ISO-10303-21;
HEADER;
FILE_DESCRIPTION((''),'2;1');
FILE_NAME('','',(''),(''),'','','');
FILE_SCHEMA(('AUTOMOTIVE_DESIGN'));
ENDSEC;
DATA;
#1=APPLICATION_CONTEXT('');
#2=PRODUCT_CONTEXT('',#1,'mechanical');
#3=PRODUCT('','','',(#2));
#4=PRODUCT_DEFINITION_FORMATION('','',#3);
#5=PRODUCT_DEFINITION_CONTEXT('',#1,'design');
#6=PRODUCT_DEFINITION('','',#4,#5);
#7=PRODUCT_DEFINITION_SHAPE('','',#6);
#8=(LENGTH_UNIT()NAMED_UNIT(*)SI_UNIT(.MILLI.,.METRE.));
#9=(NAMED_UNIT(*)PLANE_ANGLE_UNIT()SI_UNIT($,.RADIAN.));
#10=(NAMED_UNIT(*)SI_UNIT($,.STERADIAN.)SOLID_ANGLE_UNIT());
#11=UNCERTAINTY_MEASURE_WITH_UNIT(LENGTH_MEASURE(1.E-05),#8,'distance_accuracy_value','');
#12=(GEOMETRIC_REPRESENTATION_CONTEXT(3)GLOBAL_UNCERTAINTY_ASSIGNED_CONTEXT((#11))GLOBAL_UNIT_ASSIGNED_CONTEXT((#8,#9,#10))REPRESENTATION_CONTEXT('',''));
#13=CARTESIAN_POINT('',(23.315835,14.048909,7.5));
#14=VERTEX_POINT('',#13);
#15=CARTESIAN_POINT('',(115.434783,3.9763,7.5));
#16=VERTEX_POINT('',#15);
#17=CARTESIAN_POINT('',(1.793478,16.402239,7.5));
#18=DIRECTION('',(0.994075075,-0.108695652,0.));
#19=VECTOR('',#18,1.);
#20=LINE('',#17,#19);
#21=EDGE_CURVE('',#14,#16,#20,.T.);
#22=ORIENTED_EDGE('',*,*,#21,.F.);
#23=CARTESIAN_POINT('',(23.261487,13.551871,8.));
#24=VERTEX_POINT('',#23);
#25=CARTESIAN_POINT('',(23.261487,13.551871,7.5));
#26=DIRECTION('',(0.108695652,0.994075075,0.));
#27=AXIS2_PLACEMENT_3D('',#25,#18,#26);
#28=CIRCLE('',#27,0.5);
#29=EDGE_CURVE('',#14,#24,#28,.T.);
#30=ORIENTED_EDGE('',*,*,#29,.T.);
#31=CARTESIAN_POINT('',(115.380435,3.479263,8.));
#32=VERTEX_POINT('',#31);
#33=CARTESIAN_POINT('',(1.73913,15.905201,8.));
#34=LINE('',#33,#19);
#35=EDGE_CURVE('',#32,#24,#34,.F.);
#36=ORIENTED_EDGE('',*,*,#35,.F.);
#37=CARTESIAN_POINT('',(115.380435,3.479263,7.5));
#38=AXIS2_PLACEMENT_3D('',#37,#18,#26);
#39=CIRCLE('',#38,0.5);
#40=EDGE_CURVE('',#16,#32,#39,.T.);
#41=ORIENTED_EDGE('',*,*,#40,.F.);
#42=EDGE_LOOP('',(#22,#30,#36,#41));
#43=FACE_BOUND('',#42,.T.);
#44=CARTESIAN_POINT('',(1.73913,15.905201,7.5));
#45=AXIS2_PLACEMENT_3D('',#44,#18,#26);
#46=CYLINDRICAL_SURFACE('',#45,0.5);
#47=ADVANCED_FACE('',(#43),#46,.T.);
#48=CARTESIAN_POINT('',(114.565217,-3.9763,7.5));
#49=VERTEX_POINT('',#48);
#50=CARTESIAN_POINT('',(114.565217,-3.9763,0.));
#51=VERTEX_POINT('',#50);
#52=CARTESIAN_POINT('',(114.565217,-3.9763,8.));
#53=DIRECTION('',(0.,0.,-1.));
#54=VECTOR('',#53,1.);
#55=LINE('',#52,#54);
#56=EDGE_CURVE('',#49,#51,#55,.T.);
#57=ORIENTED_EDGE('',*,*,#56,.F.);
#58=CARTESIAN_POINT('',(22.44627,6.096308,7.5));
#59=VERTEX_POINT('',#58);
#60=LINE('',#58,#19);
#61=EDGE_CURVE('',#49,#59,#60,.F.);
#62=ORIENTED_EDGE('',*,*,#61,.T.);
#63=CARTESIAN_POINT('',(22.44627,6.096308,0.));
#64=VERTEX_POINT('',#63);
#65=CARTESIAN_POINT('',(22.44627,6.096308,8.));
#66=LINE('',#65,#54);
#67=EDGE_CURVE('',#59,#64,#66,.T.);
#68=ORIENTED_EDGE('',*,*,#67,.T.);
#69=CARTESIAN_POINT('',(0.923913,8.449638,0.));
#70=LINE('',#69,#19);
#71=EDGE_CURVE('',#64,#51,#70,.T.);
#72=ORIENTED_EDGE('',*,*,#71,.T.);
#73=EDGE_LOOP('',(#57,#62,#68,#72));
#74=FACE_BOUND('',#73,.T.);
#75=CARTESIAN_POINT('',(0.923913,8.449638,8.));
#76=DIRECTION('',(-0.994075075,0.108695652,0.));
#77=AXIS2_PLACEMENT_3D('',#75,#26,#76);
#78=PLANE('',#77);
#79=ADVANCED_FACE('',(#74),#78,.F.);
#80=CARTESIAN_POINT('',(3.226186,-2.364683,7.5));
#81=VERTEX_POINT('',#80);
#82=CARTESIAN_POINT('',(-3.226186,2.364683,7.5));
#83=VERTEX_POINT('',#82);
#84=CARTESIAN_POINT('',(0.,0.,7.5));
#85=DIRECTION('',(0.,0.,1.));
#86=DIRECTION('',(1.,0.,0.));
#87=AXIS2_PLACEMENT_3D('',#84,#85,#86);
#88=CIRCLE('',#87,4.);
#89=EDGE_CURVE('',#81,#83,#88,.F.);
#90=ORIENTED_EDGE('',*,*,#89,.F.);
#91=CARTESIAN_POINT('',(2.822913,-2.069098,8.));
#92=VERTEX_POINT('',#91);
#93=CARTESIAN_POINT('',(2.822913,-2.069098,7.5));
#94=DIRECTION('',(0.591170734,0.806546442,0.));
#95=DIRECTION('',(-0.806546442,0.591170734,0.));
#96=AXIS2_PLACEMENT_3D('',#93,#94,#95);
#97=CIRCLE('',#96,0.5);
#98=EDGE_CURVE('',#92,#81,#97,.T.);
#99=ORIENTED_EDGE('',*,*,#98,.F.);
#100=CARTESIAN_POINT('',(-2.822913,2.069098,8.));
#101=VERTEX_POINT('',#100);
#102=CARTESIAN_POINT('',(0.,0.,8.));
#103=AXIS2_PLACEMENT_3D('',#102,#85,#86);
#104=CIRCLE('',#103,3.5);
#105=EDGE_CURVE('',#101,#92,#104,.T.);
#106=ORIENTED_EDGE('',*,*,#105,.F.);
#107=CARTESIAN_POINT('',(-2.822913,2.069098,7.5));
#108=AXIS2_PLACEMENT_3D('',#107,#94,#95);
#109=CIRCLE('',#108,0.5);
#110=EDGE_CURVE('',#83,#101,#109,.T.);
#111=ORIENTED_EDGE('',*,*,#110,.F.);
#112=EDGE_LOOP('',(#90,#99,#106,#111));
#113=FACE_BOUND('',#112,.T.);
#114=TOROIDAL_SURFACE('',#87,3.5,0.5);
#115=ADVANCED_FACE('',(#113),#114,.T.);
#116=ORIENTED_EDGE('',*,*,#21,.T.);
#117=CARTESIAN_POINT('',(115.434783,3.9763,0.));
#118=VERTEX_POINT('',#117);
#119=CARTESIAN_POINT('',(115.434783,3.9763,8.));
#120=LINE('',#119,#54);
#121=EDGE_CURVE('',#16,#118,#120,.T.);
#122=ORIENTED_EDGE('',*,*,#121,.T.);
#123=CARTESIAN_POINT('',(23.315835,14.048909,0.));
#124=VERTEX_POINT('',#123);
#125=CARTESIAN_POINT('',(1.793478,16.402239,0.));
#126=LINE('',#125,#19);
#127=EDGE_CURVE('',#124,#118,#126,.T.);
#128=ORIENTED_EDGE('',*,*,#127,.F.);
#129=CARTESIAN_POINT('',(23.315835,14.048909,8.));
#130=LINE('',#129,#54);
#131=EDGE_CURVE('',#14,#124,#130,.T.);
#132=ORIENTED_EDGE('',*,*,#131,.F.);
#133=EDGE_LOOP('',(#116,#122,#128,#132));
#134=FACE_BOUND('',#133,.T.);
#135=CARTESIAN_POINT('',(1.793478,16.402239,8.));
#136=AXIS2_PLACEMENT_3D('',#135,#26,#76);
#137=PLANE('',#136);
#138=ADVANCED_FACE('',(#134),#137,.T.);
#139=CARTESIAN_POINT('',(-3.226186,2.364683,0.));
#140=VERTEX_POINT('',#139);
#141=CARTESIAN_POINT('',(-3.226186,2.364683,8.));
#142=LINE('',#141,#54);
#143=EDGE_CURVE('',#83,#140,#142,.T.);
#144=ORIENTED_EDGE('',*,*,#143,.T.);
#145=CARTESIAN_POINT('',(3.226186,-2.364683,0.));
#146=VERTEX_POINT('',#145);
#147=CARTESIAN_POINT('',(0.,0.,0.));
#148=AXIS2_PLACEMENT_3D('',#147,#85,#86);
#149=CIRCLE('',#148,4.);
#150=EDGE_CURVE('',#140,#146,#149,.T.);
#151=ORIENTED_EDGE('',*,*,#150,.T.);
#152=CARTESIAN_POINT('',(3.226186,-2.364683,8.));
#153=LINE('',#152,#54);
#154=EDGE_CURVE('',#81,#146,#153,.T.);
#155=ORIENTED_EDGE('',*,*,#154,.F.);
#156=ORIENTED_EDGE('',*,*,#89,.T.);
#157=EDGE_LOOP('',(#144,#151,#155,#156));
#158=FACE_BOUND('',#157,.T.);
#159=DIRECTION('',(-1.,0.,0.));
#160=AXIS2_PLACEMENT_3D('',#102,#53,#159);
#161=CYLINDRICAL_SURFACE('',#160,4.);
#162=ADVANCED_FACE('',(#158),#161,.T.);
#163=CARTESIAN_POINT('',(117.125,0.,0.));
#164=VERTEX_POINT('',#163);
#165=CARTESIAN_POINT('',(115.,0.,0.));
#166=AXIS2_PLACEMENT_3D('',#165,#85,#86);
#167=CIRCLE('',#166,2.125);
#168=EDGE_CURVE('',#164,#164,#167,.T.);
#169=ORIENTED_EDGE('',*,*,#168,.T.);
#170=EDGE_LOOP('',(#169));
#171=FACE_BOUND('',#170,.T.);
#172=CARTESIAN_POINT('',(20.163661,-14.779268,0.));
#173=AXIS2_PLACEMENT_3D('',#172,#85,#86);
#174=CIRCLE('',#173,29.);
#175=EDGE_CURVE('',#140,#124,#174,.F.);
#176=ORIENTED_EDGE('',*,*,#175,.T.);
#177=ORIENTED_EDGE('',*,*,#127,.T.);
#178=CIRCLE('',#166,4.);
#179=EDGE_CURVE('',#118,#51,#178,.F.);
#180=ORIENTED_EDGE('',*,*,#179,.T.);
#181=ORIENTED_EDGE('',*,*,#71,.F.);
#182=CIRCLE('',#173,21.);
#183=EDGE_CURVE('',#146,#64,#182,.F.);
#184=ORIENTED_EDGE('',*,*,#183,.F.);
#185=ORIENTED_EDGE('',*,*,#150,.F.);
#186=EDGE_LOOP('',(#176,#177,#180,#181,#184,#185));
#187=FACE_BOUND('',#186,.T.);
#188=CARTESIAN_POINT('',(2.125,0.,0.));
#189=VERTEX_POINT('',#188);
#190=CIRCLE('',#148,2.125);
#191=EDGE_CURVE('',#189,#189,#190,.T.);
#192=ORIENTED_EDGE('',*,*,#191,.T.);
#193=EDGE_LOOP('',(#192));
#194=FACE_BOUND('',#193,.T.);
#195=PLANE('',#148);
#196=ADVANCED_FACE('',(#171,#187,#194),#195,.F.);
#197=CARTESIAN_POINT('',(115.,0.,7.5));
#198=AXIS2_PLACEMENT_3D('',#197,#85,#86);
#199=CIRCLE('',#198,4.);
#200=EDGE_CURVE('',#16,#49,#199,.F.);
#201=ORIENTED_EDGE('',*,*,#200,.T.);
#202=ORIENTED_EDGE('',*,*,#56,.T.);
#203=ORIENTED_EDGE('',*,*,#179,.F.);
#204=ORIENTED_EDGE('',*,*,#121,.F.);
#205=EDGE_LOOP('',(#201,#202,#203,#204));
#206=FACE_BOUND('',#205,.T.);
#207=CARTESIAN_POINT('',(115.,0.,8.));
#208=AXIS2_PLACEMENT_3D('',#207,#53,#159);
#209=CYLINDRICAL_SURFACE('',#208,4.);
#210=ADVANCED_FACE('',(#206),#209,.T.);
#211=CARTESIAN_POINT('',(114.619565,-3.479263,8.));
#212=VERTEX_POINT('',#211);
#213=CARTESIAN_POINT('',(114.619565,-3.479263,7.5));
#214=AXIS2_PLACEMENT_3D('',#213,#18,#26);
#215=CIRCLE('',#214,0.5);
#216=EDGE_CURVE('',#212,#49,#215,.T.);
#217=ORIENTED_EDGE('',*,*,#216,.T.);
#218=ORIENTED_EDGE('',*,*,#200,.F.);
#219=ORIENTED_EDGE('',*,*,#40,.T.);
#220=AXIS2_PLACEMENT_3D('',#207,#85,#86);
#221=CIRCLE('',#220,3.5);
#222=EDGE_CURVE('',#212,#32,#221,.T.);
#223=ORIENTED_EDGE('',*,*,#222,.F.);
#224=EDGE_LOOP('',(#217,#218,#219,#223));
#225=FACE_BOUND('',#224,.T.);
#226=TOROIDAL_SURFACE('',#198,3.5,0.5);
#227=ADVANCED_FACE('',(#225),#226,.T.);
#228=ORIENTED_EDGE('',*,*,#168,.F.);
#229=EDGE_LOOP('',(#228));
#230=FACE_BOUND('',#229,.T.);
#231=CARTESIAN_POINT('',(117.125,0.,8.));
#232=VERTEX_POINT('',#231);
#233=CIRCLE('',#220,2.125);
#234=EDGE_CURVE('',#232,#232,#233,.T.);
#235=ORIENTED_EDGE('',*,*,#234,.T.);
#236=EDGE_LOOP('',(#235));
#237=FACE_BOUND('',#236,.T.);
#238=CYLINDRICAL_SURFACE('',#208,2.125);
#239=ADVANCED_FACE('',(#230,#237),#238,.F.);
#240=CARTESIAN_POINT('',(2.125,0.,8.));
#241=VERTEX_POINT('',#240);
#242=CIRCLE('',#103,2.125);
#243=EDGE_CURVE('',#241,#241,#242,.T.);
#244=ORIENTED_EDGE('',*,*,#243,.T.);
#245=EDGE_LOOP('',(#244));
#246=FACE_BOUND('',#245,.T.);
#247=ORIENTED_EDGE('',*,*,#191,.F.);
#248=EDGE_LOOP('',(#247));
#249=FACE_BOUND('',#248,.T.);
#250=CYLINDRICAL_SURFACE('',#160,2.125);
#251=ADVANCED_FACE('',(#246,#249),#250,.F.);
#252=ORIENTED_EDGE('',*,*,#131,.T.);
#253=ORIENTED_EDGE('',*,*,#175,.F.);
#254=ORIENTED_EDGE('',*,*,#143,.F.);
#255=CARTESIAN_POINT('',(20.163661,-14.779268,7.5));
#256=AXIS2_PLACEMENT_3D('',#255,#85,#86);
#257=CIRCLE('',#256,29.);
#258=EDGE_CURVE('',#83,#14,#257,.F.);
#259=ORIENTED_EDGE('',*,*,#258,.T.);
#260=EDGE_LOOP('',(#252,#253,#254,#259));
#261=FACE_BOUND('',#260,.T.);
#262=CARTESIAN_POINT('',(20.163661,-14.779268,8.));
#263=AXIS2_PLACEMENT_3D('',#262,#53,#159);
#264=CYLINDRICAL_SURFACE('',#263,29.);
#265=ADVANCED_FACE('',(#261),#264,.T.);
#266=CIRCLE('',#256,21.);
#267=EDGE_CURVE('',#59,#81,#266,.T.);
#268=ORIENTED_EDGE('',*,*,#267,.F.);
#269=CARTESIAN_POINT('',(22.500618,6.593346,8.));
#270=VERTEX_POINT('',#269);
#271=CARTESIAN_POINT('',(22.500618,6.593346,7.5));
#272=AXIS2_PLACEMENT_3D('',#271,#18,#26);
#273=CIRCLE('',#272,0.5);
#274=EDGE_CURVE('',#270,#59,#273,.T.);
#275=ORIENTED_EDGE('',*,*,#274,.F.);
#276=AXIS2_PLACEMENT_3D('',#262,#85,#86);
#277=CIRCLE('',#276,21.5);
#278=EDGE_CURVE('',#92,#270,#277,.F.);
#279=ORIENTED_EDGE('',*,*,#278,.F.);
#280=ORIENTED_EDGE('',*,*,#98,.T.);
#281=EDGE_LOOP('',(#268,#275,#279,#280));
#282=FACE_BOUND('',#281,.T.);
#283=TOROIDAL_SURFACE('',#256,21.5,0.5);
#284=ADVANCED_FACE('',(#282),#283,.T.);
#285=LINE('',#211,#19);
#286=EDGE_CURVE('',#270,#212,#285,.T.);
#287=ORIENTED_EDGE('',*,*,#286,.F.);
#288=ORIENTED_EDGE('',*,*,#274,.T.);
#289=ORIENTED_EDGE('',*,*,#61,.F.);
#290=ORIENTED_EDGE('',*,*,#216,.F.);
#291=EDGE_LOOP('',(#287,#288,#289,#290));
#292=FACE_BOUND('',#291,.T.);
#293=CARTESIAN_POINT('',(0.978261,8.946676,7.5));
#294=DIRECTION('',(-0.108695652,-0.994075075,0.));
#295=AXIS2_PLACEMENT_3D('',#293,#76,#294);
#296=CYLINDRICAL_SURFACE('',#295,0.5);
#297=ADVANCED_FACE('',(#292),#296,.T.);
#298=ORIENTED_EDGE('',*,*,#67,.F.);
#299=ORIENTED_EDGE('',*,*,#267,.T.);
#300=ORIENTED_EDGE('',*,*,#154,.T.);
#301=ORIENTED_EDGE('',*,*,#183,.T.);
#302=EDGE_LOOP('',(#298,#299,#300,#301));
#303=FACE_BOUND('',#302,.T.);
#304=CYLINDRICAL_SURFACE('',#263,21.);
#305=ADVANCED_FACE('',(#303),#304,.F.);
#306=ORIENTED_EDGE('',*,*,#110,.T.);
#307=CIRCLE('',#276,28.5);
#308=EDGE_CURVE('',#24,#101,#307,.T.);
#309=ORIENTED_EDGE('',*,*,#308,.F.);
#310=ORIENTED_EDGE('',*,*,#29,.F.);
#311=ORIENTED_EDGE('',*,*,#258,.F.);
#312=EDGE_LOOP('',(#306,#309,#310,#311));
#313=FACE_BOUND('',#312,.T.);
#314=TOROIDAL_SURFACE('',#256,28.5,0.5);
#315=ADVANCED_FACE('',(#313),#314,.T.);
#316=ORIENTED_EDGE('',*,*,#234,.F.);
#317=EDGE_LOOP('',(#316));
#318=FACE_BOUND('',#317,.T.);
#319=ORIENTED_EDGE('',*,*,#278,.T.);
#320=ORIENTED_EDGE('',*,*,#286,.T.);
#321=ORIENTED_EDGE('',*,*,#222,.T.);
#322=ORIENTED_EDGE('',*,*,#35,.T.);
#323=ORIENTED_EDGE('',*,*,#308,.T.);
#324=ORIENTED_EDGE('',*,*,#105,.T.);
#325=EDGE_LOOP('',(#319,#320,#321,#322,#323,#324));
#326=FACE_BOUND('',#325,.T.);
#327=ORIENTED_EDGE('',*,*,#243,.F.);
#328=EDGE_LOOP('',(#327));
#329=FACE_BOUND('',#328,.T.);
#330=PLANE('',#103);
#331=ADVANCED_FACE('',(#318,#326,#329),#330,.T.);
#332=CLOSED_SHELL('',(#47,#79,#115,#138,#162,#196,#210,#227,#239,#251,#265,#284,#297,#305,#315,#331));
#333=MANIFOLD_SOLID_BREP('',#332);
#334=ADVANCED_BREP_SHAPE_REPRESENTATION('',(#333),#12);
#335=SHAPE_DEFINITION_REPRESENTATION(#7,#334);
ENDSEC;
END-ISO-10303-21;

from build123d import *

# Parameters (mm, degrees)
SKETCH2_R           = 2.125
BOSS_EXTRUDE1_DEPTH = 8
FILLET2_R           = 0.5


with BuildPart() as part:
    # Sketch2 → Boss-Extrude1 (new body)
    with BuildSketch(Plane.XY):
        with BuildLine():
            Line((22.446269754, 6.096308238), (114.565217391, -3.976300301))
            ThreePointArc((114.565217391, -3.976300301), (118.976300301, -0.434782609), (115.434782609, 3.976300301))
            Line((115.434782609, 3.976300301), (23.315834971, 14.04890884))
            ThreePointArc((23.315834971, 14.04890884), (8.479435153, 11.762752399), (-3.226185769, 2.364682935))
            ThreePointArc((-3.226185769, 2.364682935), (-2.364682935, -3.226185769), (3.226185769, -2.364682935))
            ThreePointArc((3.226185769, -2.364682935), (11.702669886, 4.440815643), (22.446269754, 6.096308238))
        make_face()
        Circle(SKETCH2_R, mode=Mode.SUBTRACT)
        with Locations((115, 0)):
            Circle(SKETCH2_R, mode=Mode.SUBTRACT)
    extrude(amount=BOSS_EXTRUDE1_DEPTH)

    # Fillet2
    fillet2_edges = [part.edges().sort_by_distance(p)[0] for p in [
        (118.976300301, -0.434782609, 8),
        (69.37530879, 9.01260457, 8),
        (8.479435153, 11.762752399, 8),
        (-2.364682935, -3.226185769, 8),
        (11.702669886, 4.440815643, 8),
        (68.505743573, 1.060003968, 8),
    ]]
    fillet(fillet2_edges, radius=FILLET2_R)


solid = part.part
